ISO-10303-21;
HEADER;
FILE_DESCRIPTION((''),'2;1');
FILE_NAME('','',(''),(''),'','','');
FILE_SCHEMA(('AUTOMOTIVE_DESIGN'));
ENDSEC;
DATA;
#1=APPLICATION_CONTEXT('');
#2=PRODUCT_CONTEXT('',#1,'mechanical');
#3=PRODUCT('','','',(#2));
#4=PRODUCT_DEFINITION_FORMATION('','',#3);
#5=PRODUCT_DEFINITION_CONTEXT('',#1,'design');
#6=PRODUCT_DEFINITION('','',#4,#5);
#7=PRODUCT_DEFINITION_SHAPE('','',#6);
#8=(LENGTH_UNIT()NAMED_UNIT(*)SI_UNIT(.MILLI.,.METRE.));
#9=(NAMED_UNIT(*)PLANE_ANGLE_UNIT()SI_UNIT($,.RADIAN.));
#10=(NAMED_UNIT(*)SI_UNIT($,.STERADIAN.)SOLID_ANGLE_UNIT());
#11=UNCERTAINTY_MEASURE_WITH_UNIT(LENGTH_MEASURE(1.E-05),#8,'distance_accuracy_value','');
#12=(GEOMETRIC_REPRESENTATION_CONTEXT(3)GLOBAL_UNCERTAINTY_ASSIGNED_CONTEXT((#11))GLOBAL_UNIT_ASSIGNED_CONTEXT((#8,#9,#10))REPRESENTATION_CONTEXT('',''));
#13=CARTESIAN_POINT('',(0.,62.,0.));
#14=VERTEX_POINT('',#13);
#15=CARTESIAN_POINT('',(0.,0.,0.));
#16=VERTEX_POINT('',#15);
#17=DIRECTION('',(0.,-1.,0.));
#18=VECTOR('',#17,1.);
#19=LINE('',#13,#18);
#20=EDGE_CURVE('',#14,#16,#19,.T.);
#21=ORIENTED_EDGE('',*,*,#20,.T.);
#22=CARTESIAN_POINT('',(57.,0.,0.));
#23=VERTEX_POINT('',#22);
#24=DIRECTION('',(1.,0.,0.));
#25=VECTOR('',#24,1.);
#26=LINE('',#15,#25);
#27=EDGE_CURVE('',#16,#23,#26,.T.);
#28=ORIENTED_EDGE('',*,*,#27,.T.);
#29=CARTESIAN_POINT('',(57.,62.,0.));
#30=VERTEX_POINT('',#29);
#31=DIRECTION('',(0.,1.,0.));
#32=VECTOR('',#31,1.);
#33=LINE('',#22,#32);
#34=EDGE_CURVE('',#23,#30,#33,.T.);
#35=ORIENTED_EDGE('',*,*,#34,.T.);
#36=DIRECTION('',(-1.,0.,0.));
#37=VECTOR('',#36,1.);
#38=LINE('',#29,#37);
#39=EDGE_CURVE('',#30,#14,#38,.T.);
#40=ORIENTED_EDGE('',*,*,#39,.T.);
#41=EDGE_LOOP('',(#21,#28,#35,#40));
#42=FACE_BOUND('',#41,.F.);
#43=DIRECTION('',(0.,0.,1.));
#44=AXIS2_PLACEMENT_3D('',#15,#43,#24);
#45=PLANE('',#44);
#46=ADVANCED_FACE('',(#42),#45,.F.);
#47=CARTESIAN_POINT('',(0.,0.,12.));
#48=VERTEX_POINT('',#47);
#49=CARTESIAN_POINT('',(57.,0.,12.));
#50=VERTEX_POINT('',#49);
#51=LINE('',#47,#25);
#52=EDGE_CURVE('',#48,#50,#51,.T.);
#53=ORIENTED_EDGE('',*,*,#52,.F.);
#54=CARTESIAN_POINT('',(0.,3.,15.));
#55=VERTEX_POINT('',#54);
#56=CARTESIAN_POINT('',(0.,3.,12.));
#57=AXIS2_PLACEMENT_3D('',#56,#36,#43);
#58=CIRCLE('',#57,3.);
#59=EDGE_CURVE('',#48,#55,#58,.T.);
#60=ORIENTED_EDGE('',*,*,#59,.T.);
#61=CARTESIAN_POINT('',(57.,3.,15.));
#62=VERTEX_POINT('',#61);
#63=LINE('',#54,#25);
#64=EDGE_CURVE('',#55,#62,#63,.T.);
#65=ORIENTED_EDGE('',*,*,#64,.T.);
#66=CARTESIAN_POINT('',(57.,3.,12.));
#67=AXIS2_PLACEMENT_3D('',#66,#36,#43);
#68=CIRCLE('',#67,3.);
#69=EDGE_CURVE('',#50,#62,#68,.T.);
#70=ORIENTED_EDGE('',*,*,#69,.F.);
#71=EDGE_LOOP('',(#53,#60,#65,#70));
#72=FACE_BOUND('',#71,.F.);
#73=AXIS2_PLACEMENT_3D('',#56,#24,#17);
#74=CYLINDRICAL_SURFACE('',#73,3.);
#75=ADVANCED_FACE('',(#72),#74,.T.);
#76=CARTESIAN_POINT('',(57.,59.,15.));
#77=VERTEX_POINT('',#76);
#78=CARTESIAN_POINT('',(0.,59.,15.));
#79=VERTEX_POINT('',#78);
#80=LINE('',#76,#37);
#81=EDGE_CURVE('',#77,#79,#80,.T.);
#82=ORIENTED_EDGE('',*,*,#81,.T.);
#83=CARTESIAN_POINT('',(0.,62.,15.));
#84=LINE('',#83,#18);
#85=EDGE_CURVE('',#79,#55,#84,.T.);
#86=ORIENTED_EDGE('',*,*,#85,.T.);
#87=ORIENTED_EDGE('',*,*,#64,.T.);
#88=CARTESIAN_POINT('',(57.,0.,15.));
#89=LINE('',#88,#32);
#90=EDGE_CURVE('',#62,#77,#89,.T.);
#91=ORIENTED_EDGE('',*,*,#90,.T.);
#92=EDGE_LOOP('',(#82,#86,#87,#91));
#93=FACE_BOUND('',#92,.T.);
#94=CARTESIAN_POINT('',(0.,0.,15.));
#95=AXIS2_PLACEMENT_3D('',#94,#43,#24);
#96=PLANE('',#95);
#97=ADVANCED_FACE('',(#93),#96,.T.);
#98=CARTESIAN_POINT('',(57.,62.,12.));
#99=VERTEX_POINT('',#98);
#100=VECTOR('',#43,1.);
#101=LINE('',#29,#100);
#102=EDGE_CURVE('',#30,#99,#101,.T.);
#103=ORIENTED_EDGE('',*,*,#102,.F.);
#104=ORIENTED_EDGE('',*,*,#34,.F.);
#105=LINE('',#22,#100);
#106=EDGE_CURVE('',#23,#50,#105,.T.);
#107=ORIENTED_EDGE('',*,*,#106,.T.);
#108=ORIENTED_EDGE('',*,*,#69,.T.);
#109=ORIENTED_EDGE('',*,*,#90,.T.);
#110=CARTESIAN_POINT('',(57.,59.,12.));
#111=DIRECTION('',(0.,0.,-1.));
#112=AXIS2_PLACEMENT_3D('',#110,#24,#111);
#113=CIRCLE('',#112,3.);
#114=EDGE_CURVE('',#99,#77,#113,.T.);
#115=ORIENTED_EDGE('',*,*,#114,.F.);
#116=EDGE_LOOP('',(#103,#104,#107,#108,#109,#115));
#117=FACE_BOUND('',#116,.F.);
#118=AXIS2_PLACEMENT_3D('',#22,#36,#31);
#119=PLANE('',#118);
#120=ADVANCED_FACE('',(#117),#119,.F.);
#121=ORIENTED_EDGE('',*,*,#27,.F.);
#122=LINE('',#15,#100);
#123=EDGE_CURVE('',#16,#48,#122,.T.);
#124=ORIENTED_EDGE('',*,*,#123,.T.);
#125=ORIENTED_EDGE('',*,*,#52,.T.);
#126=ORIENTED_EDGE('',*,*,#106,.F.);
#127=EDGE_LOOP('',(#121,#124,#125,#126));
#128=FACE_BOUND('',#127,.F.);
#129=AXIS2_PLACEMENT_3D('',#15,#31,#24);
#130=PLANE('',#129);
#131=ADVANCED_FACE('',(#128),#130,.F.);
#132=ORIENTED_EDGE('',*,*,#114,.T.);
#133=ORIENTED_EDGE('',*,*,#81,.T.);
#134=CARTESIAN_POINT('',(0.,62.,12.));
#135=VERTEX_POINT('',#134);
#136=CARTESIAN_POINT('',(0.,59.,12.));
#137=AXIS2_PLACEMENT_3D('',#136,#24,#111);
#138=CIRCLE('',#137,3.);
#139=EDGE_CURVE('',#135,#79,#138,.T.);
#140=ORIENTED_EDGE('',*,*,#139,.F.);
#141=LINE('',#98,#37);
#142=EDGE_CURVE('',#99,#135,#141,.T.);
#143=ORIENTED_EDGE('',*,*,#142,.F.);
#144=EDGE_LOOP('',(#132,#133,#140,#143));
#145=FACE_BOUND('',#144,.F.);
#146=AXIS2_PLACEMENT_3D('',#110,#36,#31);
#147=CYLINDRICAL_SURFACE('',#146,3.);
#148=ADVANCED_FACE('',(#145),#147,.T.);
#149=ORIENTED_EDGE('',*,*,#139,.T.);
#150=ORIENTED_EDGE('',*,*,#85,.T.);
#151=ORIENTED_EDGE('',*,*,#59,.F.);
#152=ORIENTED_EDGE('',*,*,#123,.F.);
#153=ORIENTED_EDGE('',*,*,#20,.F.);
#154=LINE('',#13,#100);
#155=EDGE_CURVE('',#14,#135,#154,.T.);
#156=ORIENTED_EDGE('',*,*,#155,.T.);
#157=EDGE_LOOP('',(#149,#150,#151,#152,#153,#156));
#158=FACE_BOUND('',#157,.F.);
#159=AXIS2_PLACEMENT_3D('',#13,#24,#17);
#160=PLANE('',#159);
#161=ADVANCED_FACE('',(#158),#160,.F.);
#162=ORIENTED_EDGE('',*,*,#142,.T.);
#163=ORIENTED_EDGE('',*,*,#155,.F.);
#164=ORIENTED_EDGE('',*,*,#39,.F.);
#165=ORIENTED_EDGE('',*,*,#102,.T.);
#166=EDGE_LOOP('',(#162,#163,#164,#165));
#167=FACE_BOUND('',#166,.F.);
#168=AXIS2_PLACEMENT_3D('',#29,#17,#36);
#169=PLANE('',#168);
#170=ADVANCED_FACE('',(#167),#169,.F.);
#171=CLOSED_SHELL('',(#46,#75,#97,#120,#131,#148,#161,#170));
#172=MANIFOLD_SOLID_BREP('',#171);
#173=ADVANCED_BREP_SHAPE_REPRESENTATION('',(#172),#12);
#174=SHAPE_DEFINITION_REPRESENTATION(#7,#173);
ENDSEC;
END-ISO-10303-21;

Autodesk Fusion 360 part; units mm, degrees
sketch "Esquisse1" plane through (0, 0, 0) normal (0, 0, 1) x (1, 0, 0)
  line L0 (0, 0) -> (57, 0)
  line L1 (57, 0) -> (57, 62)
  line L2 (57, 62) -> (0, 62)
  line L3 (0, 62) -> (0, 0)
  dimension "d1" = 57
  dimension "d2" = 62
extrude "Extrusion1" add sketch "Esquisse1" along normal blind 15
fillet "Congé1" radius 3 2 edges at (28.5, 62, 15) (28.5, 0, 15)
